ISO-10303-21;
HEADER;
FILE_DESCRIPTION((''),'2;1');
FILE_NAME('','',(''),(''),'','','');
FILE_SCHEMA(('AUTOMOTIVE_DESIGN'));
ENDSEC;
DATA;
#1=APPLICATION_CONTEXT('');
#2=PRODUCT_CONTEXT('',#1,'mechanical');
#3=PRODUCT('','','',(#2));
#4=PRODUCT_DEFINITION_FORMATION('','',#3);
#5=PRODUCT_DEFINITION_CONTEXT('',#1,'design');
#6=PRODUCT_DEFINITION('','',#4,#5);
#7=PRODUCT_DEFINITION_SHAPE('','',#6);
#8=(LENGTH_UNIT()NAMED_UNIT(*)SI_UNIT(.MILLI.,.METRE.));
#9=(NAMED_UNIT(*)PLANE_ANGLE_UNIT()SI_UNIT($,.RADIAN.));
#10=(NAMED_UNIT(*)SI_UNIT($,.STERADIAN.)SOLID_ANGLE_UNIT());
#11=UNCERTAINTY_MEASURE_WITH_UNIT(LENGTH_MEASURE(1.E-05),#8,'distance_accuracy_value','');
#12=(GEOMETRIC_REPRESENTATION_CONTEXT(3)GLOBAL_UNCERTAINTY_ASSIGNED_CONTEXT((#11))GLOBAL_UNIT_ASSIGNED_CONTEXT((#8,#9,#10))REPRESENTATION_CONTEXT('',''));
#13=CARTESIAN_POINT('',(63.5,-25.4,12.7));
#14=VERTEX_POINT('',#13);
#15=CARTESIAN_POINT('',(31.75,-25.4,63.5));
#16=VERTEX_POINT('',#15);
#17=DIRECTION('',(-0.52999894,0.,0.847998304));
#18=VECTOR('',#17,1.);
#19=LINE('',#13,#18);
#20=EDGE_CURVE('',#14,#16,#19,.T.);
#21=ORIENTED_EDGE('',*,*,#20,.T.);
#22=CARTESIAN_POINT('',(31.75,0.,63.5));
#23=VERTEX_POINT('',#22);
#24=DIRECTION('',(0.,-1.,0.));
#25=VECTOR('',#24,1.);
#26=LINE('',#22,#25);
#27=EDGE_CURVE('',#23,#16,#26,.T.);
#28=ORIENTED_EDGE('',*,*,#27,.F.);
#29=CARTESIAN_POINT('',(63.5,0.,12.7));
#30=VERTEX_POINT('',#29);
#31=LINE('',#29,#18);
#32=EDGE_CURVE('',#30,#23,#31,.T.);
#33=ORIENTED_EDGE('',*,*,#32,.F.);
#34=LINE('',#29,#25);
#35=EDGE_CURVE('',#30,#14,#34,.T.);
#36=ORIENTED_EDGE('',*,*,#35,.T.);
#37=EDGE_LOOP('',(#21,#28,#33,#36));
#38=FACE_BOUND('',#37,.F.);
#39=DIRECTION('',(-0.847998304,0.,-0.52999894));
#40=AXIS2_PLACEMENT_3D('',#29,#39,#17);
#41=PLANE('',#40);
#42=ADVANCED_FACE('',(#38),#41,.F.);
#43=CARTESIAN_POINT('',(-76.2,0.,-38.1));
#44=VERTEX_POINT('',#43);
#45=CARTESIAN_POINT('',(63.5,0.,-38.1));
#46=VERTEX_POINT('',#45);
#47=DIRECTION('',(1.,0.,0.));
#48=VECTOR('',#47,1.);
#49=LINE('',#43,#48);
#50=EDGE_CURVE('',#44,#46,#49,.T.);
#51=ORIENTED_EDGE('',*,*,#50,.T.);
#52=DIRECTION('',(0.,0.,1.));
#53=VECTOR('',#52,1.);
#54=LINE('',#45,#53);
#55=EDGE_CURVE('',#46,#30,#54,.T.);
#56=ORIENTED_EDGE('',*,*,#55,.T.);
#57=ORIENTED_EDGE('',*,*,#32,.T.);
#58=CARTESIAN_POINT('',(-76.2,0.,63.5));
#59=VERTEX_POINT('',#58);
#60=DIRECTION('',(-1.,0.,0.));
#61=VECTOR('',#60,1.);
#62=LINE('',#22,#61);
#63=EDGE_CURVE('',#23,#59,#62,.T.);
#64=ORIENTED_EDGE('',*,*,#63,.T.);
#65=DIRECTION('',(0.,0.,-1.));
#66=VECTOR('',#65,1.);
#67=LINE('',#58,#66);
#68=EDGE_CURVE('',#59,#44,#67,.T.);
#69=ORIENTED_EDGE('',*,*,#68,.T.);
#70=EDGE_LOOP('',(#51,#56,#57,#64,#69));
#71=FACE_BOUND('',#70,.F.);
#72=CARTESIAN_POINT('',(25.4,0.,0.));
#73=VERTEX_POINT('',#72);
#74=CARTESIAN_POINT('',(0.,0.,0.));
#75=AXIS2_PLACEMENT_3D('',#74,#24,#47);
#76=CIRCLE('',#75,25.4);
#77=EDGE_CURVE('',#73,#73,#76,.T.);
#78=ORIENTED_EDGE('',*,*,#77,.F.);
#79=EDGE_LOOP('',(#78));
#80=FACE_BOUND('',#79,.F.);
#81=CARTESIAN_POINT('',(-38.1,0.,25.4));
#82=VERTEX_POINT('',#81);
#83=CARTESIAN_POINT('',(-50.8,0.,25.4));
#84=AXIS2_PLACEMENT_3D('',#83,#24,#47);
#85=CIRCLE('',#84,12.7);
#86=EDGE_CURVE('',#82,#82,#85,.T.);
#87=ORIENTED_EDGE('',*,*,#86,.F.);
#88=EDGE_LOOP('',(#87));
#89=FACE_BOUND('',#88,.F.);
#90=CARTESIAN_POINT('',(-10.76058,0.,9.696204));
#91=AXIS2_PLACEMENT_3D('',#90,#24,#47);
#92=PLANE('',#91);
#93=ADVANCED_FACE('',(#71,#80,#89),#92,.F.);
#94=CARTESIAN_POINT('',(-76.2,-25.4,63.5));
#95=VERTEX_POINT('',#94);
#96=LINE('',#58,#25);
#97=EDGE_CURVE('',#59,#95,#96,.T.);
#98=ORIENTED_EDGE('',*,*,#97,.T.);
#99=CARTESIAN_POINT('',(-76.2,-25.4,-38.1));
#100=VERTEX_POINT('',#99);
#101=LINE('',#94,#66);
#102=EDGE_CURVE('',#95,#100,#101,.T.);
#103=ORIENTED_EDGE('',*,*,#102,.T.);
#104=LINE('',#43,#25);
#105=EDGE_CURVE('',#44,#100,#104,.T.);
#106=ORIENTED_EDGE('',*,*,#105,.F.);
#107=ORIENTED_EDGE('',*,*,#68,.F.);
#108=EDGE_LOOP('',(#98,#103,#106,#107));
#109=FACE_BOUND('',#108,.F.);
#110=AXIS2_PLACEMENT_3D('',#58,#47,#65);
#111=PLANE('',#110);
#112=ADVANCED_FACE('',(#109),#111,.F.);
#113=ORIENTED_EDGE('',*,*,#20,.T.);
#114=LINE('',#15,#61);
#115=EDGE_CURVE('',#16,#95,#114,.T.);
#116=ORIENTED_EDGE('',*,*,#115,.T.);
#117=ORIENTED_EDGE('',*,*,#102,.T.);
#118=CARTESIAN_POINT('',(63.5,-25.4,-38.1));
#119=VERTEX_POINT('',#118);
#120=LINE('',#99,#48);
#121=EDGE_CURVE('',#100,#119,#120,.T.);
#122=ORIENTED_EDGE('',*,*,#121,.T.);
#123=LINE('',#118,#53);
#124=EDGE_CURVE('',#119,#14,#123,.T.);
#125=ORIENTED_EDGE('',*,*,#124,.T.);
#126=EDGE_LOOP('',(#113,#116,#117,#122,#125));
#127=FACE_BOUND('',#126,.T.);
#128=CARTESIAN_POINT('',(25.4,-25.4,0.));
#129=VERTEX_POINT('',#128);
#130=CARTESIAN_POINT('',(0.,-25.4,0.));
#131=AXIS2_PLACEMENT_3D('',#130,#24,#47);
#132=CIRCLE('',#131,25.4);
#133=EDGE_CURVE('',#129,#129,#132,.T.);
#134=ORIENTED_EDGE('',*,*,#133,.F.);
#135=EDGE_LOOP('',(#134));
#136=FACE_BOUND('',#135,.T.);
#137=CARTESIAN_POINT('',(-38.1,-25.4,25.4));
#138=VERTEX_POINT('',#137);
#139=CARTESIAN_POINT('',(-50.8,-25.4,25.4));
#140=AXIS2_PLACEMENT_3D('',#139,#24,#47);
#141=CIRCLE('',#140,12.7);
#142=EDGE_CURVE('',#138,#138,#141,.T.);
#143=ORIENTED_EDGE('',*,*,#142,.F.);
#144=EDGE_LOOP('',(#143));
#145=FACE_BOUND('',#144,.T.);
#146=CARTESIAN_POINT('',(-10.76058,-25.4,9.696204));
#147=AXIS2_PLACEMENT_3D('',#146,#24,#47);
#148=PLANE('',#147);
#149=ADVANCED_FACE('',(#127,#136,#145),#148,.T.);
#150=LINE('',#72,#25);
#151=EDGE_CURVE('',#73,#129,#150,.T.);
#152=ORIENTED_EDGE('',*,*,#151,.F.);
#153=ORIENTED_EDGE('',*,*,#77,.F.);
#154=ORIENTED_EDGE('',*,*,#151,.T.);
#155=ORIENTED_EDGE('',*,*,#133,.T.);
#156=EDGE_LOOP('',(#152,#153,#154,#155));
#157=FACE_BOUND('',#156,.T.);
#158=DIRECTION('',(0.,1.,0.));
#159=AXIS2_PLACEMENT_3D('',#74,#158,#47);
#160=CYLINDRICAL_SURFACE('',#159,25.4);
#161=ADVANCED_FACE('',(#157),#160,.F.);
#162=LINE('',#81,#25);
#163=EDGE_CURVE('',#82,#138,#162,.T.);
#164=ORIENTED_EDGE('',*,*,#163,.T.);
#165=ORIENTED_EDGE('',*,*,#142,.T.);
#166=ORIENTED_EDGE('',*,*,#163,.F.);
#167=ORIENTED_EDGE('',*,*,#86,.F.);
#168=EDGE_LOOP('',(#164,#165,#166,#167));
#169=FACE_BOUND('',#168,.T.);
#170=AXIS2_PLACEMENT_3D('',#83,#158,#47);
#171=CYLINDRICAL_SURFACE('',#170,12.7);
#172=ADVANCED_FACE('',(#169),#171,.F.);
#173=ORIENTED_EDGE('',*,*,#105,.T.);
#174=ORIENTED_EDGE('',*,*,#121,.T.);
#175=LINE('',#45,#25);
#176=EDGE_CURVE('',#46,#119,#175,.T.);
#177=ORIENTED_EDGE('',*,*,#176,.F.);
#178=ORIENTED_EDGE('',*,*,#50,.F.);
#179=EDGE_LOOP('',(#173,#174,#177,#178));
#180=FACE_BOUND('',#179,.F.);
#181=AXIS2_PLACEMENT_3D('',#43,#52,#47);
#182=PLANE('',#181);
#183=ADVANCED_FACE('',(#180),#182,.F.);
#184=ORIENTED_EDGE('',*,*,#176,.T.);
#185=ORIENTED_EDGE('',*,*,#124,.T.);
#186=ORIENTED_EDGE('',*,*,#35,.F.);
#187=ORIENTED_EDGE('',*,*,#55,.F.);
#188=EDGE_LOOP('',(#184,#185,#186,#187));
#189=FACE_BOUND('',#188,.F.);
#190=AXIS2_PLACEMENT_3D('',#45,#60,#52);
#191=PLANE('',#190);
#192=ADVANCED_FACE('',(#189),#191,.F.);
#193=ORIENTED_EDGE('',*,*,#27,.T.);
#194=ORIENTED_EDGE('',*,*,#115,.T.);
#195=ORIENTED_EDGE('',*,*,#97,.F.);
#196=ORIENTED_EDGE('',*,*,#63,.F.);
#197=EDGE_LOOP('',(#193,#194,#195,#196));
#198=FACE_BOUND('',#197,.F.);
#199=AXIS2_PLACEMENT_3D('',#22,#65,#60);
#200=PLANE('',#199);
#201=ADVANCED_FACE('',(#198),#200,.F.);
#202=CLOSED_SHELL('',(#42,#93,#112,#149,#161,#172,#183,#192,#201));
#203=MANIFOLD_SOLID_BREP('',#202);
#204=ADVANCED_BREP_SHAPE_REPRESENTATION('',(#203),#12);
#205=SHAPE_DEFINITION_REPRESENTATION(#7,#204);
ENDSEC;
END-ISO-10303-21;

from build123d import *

# Parameters (mm, degrees)
F0_R     = 25.4
F0_R_2   = 12.7
F1_DEPTH = 25.4


with BuildPart() as f1:
    # F0 (on Front) → F1 (new body)
    with BuildSketch(Plane.XZ):
        Polygon((-76.2, -38.1), (63.5, -38.1), (63.5, 12.7), (31.75, 63.5), (-76.2, 63.5), align=None)
        Circle(F0_R, mode=Mode.SUBTRACT)
        with Locations((-50.8, 25.4)):
            Circle(F0_R_2, mode=Mode.SUBTRACT)
    extrude(amount=F1_DEPTH)


solid = f1.part
